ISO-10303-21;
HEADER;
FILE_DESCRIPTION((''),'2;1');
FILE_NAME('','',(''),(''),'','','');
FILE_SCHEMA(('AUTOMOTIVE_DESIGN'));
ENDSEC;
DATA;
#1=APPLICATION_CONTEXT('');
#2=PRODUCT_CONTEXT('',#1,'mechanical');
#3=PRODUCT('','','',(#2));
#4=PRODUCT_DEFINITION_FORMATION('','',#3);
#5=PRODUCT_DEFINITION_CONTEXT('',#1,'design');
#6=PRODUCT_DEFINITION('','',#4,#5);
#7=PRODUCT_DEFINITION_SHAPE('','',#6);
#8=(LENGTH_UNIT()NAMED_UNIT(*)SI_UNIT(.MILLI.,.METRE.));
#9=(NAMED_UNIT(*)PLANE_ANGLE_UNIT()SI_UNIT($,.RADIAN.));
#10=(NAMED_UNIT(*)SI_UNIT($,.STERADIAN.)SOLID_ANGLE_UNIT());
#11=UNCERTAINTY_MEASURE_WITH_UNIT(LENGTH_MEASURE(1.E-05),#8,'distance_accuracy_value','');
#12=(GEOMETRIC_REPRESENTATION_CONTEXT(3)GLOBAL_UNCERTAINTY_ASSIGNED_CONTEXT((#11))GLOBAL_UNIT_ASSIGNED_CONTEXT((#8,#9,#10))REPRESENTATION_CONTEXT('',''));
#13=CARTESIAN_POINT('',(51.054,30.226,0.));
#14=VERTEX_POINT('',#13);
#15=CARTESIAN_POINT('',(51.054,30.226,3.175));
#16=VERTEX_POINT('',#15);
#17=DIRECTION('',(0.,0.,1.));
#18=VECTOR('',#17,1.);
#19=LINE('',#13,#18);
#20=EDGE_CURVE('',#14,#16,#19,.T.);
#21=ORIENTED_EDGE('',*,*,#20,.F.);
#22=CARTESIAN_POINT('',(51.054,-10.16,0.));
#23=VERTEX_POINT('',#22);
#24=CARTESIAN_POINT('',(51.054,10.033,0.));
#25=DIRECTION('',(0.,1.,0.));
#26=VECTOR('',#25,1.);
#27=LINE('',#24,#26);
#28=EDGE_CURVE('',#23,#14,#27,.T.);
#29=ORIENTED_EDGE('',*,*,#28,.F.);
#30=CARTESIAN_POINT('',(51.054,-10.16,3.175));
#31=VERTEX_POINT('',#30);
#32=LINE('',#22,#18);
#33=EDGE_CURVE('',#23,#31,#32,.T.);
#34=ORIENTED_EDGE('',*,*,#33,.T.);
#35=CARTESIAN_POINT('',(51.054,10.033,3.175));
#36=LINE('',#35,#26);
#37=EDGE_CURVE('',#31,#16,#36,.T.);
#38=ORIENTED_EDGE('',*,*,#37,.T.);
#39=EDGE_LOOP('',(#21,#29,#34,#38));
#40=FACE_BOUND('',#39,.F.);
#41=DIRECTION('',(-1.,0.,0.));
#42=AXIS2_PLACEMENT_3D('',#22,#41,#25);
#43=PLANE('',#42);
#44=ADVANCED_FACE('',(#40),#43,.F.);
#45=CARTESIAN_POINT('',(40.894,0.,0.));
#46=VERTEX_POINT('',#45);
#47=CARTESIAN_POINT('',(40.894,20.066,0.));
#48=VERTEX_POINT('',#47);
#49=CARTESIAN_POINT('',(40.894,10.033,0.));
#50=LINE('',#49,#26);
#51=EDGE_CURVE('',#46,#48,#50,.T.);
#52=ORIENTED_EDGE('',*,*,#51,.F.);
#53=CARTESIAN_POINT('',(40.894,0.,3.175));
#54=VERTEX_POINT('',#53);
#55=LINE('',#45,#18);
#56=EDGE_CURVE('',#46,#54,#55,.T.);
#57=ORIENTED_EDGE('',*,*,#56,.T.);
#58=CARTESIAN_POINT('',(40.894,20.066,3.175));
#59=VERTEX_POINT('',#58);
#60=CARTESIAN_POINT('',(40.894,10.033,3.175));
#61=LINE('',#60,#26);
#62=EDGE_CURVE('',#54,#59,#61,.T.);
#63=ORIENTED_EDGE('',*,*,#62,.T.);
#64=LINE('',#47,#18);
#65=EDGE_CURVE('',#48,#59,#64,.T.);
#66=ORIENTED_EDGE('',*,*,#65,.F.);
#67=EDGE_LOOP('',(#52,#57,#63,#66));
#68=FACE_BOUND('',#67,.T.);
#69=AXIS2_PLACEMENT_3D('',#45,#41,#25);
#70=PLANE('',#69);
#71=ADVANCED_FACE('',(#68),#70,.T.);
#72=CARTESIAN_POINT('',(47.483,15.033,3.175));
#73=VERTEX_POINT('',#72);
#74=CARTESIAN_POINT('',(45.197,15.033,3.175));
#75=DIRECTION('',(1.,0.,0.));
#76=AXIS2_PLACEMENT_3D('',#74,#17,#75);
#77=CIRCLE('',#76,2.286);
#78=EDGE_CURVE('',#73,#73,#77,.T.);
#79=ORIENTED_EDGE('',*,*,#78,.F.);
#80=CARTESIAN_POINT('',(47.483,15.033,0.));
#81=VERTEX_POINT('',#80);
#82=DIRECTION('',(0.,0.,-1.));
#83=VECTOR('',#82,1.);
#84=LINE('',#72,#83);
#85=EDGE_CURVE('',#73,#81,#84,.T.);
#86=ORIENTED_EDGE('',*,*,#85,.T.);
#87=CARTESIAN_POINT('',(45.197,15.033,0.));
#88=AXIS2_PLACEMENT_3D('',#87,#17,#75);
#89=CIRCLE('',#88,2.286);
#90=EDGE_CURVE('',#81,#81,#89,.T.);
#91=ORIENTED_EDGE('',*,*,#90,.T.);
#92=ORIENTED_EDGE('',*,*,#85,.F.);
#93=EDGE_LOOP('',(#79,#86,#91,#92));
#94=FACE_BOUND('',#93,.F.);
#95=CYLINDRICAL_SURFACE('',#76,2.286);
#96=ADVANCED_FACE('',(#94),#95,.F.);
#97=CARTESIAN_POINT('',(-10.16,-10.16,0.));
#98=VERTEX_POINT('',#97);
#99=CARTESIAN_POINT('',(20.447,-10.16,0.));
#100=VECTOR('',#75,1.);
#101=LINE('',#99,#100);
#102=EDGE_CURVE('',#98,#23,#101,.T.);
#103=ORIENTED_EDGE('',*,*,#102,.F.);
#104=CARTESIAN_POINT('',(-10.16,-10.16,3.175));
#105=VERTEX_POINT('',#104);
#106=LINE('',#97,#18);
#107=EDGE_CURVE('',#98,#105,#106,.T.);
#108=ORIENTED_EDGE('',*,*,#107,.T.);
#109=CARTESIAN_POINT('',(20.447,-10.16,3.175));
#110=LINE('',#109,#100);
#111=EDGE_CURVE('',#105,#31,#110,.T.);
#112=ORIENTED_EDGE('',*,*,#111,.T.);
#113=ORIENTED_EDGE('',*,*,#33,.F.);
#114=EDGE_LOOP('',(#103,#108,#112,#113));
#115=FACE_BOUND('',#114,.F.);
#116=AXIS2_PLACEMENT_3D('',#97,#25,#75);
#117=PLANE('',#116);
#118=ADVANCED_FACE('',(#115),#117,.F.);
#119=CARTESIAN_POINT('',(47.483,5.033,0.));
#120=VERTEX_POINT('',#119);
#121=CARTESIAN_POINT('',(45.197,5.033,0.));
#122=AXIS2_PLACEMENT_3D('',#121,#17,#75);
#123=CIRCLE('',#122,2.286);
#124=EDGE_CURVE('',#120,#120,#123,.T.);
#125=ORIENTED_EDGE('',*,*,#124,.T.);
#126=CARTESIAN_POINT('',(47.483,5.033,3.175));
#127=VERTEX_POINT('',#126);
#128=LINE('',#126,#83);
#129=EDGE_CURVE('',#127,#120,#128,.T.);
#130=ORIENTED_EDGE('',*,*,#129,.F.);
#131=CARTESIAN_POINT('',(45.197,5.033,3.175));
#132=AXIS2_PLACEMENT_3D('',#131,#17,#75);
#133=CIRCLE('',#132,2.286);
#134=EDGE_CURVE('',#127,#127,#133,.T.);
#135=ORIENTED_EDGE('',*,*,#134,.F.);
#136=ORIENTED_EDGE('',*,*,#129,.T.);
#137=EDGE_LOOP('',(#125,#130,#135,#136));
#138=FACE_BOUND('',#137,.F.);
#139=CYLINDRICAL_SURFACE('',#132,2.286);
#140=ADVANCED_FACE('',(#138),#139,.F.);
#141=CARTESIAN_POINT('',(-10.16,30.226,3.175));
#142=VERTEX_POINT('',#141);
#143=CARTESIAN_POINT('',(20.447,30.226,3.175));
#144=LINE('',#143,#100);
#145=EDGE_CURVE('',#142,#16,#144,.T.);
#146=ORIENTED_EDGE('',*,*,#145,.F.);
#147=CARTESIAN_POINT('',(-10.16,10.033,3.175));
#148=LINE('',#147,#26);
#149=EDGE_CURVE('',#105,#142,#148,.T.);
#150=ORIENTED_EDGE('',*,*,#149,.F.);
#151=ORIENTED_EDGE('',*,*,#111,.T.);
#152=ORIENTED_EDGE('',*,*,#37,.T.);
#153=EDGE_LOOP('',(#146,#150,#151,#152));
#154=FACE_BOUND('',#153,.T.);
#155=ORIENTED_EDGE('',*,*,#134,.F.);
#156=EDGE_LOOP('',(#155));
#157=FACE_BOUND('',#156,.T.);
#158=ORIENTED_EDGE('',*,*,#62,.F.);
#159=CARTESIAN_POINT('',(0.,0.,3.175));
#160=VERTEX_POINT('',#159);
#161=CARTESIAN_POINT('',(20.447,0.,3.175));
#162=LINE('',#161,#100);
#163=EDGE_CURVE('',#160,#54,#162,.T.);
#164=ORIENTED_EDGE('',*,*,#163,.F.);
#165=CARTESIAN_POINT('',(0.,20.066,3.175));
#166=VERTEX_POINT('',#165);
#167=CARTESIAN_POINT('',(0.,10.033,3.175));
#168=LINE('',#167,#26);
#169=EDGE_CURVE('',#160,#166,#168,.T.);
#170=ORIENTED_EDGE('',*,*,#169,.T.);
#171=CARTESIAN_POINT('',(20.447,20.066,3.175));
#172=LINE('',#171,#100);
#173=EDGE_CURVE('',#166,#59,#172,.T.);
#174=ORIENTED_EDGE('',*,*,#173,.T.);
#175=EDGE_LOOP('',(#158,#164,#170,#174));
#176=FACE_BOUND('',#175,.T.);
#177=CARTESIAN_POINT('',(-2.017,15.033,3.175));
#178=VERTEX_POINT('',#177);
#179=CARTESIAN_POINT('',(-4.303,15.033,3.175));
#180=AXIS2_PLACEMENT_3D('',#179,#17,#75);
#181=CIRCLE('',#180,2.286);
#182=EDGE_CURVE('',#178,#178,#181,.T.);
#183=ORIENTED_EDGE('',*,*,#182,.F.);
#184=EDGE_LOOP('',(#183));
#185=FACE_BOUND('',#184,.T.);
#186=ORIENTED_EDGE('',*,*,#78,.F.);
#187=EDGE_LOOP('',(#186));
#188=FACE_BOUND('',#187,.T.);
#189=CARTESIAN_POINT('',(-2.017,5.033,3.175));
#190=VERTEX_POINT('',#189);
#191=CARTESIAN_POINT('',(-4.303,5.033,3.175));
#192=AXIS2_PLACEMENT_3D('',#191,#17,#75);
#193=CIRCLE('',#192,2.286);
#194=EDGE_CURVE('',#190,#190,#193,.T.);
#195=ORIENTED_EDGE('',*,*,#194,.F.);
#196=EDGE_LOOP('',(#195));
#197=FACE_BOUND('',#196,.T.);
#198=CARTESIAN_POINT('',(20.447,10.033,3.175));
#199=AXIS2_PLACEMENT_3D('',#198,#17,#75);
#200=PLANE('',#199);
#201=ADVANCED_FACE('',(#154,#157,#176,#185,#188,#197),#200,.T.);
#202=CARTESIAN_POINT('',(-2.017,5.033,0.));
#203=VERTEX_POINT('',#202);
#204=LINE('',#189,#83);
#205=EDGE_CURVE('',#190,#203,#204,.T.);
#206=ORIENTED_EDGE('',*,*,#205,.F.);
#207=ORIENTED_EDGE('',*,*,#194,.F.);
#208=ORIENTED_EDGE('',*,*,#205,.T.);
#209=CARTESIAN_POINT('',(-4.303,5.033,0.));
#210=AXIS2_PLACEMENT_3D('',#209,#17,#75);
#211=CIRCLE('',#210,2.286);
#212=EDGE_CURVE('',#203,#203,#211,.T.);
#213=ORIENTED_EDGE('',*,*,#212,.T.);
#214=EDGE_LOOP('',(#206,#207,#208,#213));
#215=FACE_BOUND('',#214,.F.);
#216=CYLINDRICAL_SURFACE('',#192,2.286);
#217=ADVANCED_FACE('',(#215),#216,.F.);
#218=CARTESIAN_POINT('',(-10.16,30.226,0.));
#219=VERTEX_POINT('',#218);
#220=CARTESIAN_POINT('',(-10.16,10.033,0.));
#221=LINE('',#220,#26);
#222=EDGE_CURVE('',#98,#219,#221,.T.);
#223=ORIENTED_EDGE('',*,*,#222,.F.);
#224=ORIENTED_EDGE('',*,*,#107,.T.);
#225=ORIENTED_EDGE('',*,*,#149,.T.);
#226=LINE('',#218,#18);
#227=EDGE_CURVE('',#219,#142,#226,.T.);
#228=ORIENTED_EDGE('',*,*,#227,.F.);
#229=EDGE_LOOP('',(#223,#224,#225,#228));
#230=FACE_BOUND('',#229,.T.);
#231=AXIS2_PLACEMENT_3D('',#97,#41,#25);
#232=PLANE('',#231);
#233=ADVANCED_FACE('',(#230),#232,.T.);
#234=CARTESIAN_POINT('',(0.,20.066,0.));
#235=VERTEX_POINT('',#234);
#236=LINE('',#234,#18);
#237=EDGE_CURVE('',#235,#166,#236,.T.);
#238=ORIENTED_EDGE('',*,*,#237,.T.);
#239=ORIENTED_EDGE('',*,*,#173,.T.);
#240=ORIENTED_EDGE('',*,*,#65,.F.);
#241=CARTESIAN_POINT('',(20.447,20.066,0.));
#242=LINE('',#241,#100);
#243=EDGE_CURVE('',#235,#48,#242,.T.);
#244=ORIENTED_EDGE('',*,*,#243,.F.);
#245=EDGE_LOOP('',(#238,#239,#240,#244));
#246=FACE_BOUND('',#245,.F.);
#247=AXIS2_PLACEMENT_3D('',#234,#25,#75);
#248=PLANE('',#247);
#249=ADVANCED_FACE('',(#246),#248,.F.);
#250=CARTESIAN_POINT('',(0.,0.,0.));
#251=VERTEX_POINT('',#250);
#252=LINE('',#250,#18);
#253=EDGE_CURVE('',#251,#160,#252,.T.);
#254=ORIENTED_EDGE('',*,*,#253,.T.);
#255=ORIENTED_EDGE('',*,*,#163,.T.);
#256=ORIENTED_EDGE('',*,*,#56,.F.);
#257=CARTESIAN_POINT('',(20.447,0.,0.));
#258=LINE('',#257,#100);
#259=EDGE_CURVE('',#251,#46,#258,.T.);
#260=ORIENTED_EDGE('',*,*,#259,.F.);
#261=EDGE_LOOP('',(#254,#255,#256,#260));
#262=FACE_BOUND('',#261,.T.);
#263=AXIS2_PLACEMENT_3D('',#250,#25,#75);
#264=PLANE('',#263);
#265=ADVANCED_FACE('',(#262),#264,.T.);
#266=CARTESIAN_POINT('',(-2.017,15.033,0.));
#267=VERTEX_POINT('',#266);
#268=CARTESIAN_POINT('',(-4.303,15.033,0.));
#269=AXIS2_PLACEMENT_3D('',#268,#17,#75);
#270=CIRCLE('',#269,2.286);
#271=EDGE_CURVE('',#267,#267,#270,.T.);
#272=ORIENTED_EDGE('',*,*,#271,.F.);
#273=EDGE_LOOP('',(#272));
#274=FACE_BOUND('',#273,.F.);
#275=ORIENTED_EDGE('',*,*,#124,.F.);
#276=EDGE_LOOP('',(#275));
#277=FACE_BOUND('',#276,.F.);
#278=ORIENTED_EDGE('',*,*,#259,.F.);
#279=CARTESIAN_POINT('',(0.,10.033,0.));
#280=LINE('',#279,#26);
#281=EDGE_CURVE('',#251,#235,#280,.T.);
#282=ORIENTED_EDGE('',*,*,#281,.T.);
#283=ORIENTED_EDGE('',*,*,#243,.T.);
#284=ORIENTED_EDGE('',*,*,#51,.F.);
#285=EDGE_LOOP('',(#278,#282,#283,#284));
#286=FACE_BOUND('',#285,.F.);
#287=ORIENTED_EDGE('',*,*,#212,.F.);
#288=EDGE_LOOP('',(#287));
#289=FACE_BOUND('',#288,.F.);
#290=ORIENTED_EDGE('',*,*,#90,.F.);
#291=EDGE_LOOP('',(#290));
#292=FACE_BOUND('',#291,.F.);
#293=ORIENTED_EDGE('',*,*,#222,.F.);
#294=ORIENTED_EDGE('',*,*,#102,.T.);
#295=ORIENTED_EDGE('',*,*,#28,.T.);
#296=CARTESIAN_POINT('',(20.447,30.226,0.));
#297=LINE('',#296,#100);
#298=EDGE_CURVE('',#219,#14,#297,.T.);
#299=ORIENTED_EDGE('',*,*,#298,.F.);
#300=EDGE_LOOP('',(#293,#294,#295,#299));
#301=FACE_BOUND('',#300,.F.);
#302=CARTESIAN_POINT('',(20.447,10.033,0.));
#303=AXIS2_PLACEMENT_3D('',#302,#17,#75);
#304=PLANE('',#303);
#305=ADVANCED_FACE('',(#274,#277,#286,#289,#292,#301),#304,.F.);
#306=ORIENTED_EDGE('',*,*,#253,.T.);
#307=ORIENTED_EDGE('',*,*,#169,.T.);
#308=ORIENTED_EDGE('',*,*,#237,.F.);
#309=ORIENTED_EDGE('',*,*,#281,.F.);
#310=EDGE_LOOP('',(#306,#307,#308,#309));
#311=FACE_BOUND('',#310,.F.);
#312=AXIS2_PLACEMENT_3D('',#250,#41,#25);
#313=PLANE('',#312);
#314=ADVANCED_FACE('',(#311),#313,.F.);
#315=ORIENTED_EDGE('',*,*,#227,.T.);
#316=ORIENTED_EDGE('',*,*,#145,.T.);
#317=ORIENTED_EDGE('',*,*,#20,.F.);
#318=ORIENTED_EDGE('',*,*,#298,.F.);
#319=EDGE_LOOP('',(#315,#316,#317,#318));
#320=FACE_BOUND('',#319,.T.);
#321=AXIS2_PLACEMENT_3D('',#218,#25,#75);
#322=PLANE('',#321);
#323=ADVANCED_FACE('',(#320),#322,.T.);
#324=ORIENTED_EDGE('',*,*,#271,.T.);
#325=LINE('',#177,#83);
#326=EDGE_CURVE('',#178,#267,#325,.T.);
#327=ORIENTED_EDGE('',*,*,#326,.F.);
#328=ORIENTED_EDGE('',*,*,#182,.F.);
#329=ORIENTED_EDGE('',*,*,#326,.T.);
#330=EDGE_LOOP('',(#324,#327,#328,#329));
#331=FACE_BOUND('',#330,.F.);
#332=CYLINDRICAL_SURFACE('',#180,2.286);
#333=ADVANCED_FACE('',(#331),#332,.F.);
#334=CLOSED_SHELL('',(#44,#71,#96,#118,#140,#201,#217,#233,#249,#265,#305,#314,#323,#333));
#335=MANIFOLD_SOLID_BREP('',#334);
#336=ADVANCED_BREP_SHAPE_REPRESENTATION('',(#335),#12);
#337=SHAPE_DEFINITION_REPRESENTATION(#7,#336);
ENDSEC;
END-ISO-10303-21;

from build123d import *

# Parameters (mm, degrees)
SKETCH1_W           = 61.214
SKETCH1_H           = 40.386
SKETCH1_W_2         = 40.894
SKETCH1_H_2         = 20.066
BOSS_EXTRUDE1_DEPTH = 3.175
SKETCH2_R           = 2.286
CUT_EXTRUDE1_DEPTH  = 4.175


with BuildPart() as part:
    # Sketch1 → Boss-Extrude1 (new body)
    with BuildSketch(Plane.XY):
        with Locations((20.447, 10.033)):
            Rectangle(SKETCH1_W, SKETCH1_H)
        with Locations((20.447, 10.033)):
            Rectangle(SKETCH1_W_2, SKETCH1_H_2, mode=Mode.SUBTRACT)
    extrude(amount=BOSS_EXTRUDE1_DEPTH)

    # Sketch2 → Cut-Extrude1 (cut, through all)
    with BuildSketch(Plane.XY.offset(3.175)):
        with Locations((-4.303, 15.033)):
            Circle(SKETCH2_R)
        with Locations((-4.303, 5.033)):
            Circle(SKETCH2_R)
        with Locations((45.197, 5.033)):
            Circle(SKETCH2_R)
        with Locations((45.197, 15.033)):
            Circle(SKETCH2_R)
    extrude(amount=-CUT_EXTRUDE1_DEPTH, mode=Mode.SUBTRACT)


solid = part.part
